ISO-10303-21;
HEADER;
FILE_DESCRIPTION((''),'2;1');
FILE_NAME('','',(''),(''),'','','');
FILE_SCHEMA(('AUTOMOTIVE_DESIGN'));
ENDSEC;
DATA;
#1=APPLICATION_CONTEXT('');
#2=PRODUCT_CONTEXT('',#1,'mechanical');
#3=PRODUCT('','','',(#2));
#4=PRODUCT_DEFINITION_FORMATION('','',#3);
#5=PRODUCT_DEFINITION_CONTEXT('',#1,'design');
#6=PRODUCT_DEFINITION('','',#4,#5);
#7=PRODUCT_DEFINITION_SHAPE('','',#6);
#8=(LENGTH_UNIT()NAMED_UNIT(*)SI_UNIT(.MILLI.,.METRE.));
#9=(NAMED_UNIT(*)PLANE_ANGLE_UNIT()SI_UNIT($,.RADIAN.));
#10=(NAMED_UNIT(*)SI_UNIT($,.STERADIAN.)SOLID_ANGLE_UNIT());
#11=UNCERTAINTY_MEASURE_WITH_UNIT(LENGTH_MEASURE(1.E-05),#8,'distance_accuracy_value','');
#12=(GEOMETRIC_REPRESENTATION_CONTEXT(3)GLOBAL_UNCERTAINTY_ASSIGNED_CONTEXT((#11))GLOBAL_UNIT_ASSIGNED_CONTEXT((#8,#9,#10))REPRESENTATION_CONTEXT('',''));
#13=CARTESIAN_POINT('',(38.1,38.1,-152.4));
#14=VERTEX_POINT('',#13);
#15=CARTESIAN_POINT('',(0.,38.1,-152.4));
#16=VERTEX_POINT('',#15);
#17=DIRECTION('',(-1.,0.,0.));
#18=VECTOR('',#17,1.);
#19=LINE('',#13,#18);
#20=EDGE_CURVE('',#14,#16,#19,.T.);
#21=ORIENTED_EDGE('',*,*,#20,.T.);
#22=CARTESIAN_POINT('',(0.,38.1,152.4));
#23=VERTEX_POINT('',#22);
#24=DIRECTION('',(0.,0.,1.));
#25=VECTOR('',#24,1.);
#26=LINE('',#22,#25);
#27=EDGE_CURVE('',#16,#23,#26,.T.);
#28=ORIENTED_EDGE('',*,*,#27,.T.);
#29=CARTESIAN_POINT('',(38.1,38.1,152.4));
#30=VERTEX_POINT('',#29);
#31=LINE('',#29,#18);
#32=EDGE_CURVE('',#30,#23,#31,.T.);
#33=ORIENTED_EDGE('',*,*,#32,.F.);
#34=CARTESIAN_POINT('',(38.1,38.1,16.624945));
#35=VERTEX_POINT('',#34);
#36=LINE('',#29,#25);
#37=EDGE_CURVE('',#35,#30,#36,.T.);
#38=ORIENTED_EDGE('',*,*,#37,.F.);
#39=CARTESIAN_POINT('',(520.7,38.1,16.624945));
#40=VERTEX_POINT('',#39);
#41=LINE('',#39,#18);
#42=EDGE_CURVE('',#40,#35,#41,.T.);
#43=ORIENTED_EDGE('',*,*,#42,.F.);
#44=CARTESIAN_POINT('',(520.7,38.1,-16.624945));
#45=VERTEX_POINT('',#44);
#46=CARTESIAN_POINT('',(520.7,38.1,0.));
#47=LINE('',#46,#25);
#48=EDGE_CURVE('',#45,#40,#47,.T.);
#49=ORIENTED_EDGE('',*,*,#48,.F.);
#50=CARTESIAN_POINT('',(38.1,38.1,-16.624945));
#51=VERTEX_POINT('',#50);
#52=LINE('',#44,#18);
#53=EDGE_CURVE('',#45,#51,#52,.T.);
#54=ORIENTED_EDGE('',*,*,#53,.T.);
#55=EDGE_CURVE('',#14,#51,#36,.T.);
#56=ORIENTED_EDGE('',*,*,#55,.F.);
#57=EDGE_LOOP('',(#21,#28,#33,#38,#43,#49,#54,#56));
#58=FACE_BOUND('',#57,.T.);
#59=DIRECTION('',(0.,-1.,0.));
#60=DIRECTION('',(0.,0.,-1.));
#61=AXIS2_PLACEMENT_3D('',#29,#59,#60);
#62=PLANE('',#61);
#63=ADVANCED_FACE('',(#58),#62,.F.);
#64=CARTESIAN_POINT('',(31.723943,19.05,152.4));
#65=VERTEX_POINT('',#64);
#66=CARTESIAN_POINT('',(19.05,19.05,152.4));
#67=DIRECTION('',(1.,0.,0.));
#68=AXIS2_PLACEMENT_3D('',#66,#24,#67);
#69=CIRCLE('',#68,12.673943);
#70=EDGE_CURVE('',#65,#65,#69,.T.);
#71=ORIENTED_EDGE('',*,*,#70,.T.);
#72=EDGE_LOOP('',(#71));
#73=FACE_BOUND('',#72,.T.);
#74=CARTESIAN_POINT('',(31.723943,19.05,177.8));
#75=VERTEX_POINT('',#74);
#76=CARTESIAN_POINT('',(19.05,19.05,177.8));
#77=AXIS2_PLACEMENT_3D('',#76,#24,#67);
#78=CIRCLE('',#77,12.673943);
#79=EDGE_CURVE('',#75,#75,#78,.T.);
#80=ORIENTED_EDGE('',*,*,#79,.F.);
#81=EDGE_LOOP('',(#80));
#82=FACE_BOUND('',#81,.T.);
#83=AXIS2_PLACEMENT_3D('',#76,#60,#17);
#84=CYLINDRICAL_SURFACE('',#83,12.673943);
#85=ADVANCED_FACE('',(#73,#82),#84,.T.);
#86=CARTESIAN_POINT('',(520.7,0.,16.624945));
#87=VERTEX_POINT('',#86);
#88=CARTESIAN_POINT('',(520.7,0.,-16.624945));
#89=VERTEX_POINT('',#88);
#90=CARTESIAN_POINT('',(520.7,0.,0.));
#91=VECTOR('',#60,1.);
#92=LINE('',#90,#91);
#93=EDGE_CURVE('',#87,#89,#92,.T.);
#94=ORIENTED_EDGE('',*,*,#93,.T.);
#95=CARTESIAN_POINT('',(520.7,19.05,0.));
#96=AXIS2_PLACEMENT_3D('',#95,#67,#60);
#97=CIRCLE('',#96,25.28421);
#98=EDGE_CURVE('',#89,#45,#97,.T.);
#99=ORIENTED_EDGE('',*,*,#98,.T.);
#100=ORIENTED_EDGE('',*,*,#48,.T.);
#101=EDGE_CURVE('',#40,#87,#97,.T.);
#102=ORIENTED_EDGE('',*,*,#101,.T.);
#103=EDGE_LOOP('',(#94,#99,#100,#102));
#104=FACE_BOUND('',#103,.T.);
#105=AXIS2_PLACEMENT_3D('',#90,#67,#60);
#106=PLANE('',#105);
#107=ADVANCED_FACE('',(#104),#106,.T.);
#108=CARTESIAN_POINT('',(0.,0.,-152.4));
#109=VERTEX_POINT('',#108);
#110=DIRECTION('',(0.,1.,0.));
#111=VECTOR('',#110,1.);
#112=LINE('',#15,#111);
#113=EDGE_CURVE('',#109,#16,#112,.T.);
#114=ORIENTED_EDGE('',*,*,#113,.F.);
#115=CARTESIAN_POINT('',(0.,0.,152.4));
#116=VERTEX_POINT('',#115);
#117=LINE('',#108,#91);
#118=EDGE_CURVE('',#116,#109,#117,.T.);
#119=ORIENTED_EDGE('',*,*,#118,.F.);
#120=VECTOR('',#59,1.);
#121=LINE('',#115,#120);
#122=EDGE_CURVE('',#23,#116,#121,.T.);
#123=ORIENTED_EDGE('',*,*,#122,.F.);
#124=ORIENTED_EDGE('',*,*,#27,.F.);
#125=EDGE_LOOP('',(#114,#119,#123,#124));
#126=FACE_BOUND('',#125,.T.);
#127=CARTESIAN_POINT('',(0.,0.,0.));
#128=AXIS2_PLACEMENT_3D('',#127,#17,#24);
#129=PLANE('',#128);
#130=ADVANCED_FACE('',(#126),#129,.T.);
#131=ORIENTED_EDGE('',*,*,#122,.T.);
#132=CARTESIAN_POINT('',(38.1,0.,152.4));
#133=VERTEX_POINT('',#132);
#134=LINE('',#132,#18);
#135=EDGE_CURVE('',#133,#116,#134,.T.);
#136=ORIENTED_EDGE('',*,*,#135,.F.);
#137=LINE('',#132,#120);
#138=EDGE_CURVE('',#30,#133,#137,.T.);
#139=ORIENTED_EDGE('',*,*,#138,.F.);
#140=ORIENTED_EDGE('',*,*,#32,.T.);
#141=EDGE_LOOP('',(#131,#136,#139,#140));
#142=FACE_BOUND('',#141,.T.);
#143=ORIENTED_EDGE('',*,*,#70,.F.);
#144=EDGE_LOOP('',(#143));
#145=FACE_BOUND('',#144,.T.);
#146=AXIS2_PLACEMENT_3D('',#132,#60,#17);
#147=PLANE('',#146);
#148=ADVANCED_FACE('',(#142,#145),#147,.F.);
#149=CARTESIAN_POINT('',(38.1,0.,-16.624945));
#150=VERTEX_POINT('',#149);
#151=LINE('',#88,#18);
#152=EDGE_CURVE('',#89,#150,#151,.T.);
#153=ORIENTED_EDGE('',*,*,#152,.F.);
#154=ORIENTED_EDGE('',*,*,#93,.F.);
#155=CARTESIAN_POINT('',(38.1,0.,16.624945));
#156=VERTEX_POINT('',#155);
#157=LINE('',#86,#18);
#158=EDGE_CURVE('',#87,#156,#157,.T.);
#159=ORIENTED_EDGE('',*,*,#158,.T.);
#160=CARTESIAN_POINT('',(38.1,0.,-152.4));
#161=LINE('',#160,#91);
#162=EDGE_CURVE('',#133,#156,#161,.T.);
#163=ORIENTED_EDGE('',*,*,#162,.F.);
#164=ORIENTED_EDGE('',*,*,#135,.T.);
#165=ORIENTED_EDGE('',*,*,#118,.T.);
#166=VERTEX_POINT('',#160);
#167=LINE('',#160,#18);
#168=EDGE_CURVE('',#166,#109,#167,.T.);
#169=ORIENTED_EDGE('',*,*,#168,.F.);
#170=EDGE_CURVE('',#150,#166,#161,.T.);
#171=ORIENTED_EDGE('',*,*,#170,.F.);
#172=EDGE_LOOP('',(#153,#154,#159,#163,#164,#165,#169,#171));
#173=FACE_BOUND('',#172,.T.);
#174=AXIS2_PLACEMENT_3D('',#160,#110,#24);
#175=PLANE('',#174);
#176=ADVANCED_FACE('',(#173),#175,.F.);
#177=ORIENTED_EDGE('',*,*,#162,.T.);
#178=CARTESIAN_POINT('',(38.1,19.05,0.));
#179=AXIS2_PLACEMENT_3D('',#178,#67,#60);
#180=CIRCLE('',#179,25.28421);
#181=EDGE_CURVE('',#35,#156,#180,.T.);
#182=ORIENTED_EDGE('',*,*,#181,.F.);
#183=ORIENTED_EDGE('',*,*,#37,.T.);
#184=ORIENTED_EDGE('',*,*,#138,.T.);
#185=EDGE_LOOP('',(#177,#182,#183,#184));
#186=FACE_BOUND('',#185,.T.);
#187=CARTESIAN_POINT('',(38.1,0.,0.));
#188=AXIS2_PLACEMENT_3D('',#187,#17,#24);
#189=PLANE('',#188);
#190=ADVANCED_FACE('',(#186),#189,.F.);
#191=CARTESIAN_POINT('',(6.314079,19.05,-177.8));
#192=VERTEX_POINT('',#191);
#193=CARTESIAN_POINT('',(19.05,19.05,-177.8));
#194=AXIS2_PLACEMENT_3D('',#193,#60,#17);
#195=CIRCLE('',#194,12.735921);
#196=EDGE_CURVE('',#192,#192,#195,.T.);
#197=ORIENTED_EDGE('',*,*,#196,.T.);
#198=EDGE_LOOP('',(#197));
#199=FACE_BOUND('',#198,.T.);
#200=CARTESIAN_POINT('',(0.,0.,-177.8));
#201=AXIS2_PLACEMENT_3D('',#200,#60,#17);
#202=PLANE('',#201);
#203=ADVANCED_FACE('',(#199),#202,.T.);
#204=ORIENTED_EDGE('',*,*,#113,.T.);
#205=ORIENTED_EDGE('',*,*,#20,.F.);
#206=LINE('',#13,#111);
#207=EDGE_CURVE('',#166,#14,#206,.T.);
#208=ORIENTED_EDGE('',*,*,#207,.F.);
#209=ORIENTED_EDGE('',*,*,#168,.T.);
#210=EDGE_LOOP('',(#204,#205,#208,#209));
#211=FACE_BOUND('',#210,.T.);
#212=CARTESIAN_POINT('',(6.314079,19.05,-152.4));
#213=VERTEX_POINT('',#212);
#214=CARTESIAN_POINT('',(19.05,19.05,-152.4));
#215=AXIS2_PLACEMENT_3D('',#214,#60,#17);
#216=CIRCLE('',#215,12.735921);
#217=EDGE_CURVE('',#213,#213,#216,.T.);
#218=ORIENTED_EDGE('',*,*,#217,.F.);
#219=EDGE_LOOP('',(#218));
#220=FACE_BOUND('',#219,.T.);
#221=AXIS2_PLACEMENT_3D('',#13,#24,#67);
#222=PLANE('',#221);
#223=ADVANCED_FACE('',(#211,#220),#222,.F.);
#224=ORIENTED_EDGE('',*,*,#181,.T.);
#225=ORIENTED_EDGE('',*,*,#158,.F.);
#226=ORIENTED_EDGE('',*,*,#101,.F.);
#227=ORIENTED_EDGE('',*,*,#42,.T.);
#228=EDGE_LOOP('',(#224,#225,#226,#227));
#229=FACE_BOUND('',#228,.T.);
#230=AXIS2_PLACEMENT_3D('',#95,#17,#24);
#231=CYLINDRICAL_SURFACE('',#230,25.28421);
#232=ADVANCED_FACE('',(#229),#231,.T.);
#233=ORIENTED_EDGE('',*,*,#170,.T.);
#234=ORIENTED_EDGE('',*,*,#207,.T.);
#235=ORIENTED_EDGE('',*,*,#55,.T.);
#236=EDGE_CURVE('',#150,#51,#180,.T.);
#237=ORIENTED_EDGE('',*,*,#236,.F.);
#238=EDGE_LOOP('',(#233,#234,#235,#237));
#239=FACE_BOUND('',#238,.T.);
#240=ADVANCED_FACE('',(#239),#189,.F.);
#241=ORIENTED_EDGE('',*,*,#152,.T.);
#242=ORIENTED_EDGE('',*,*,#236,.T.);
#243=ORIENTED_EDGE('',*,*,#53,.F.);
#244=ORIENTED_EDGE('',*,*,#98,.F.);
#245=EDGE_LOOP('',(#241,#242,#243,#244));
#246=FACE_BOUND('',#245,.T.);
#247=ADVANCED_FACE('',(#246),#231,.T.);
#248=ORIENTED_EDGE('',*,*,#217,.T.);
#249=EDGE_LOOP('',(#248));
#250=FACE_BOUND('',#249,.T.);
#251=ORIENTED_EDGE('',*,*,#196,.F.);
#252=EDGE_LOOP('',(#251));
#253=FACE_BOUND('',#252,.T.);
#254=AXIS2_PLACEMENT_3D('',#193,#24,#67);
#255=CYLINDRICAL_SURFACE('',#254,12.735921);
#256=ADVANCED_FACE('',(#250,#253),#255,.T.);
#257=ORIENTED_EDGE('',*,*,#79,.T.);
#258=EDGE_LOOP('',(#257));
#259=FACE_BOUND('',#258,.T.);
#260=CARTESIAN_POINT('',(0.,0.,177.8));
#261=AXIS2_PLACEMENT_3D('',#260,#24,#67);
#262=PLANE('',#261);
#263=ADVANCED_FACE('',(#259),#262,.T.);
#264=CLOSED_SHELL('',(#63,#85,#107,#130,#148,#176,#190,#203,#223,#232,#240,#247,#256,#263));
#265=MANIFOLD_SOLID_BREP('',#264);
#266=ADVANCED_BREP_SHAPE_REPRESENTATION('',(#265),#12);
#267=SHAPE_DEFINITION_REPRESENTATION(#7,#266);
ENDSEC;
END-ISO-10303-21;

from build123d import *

# Parameters (mm, degrees)
SKETCH1_W           = 304.8
SKETCH1_H           = 38.1
BOSS_EXTRUDE5_DEPTH = 38.1
BOSS_EXTRUDE6_DEPTH = 25.4
BOSS_EXTRUDE7_DEPTH = 25.4
BOSS_EXTRUDE8_DEPTH = 482.6


with BuildPart() as part:
    # Sketch1 → Boss-Extrude5 (new body)
    with BuildSketch(Plane(origin=(0, 0, 0), x_dir=(0, 0, -1), z_dir=(1, 0, 0))):
        with Locations((0, 19.05)):
            Rectangle(SKETCH1_W, SKETCH1_H)
    extrude(amount=BOSS_EXTRUDE5_DEPTH)

    # Sketch7 → Boss-Extrude6 (add)
    with BuildSketch(Plane.XY.offset(152.4)):
        with BuildLine():
            ThreePointArc((28.011830747, 28.011830747), (19.05, 31.723942586), (10.088169253, 28.011830747))
            Line((10.088169253, 28.011830747), (19.05, 19.05))
            Line((19.05, 19.05), (28.011830747, 28.011830747))
        make_face()
        with BuildLine():
            Line((19.05, 19.05), (10.088169253, 28.011830747))
            ThreePointArc((10.088169253, 28.011830747), (6.376057414, 19.05), (10.088169253, 10.088169253))
            Line((10.088169253, 10.088169253), (19.05, 19.05))
        make_face()
        with BuildLine():
            Line((28.011830747, 28.011830747), (19.05, 19.05))
            Line((19.05, 19.05), (28.011830747, 10.088169253))
            ThreePointArc((28.011830747, 10.088169253), (30.759196151, 14.19989215), (31.723942586, 19.05))
            ThreePointArc((31.723942586, 19.05), (30.759196151, 23.90010785), (28.011830747, 28.011830747))
        make_face()
        with BuildLine():
            Line((28.011830747, 10.088169253), (19.05, 19.05))
            Line((19.05, 19.05), (10.088169253, 10.088169253))
            ThreePointArc((10.088169253, 10.088169253), (19.05, 6.376057414), (28.011830747, 10.088169253))
        make_face()
    extrude(amount=BOSS_EXTRUDE6_DEPTH)

    # Sketch8 → Boss-Extrude7 (add)
    with BuildSketch(Plane(origin=(0, 0, -152.4), x_dir=(-1, 0, 0), z_dir=(0, 0, -1))):
        with BuildLine():
            ThreePointArc((-10.044344025, 28.055655975), (-19.05, 31.785920818), (-28.055655975, 28.055655975))
            Line((-28.055655975, 28.055655975), (-19.05, 19.05))
            Line((-19.05, 19.05), (-10.044344025, 28.055655975))
        make_face()
        with BuildLine():
            Line((-19.05, 19.05), (-28.055655975, 28.055655975))
            ThreePointArc((-28.055655975, 28.055655975), (-31.785920818, 19.05), (-28.055655975, 10.044344025))
            Line((-28.055655975, 10.044344025), (-19.05, 19.05))
        make_face()
        with BuildLine():
            Line((-10.044344025, 28.055655975), (-19.05, 19.05))
            Line((-19.05, 19.05), (-10.044344025, 10.044344025))
            ThreePointArc((-10.044344025, 10.044344025), (-7.283543428, 14.176174107), (-6.314079182, 19.05))
            ThreePointArc((-6.314079182, 19.05), (-7.283543428, 23.923825893), (-10.044344025, 28.055655975))
        make_face()
        with BuildLine():
            Line((-10.044344025, 10.044344025), (-19.05, 19.05))
            Line((-19.05, 19.05), (-28.055655975, 10.044344025))
            ThreePointArc((-28.055655975, 10.044344025), (-19.05, 6.314079182), (-10.044344025, 10.044344025))
        make_face()
    extrude(amount=BOSS_EXTRUDE7_DEPTH)

    # Sketch9 → Boss-Extrude8 (add)
    with BuildSketch(Plane(origin=(38.1, 0, 0), x_dir=(0, 0, -1), z_dir=(1, 0, 0))):
        with BuildLine():
            Line((-16.624944564, 0), (0, 0))
            Line((0, 0), (0, 38.1))
            Line((0, 38.1), (-16.624944564, 38.1))
            ThreePointArc((-16.624944564, 38.1), (-25.284210127, 19.05), (-16.624944564, 0))
        make_face()
        with BuildLine():
            Line((0, 38.1), (0, 0))
            Line((0, 0), (16.624944564, 0))
            ThreePointArc((16.624944564, 0), (23.01781781, 8.587144509), (25.284210127, 19.05))
            ThreePointArc((25.284210127, 19.05), (23.01781781, 29.512855491), (16.624944564, 38.1))
            Line((16.624944564, 38.1), (0, 38.1))
        make_face()
    extrude(amount=BOSS_EXTRUDE8_DEPTH)


solid = part.part
